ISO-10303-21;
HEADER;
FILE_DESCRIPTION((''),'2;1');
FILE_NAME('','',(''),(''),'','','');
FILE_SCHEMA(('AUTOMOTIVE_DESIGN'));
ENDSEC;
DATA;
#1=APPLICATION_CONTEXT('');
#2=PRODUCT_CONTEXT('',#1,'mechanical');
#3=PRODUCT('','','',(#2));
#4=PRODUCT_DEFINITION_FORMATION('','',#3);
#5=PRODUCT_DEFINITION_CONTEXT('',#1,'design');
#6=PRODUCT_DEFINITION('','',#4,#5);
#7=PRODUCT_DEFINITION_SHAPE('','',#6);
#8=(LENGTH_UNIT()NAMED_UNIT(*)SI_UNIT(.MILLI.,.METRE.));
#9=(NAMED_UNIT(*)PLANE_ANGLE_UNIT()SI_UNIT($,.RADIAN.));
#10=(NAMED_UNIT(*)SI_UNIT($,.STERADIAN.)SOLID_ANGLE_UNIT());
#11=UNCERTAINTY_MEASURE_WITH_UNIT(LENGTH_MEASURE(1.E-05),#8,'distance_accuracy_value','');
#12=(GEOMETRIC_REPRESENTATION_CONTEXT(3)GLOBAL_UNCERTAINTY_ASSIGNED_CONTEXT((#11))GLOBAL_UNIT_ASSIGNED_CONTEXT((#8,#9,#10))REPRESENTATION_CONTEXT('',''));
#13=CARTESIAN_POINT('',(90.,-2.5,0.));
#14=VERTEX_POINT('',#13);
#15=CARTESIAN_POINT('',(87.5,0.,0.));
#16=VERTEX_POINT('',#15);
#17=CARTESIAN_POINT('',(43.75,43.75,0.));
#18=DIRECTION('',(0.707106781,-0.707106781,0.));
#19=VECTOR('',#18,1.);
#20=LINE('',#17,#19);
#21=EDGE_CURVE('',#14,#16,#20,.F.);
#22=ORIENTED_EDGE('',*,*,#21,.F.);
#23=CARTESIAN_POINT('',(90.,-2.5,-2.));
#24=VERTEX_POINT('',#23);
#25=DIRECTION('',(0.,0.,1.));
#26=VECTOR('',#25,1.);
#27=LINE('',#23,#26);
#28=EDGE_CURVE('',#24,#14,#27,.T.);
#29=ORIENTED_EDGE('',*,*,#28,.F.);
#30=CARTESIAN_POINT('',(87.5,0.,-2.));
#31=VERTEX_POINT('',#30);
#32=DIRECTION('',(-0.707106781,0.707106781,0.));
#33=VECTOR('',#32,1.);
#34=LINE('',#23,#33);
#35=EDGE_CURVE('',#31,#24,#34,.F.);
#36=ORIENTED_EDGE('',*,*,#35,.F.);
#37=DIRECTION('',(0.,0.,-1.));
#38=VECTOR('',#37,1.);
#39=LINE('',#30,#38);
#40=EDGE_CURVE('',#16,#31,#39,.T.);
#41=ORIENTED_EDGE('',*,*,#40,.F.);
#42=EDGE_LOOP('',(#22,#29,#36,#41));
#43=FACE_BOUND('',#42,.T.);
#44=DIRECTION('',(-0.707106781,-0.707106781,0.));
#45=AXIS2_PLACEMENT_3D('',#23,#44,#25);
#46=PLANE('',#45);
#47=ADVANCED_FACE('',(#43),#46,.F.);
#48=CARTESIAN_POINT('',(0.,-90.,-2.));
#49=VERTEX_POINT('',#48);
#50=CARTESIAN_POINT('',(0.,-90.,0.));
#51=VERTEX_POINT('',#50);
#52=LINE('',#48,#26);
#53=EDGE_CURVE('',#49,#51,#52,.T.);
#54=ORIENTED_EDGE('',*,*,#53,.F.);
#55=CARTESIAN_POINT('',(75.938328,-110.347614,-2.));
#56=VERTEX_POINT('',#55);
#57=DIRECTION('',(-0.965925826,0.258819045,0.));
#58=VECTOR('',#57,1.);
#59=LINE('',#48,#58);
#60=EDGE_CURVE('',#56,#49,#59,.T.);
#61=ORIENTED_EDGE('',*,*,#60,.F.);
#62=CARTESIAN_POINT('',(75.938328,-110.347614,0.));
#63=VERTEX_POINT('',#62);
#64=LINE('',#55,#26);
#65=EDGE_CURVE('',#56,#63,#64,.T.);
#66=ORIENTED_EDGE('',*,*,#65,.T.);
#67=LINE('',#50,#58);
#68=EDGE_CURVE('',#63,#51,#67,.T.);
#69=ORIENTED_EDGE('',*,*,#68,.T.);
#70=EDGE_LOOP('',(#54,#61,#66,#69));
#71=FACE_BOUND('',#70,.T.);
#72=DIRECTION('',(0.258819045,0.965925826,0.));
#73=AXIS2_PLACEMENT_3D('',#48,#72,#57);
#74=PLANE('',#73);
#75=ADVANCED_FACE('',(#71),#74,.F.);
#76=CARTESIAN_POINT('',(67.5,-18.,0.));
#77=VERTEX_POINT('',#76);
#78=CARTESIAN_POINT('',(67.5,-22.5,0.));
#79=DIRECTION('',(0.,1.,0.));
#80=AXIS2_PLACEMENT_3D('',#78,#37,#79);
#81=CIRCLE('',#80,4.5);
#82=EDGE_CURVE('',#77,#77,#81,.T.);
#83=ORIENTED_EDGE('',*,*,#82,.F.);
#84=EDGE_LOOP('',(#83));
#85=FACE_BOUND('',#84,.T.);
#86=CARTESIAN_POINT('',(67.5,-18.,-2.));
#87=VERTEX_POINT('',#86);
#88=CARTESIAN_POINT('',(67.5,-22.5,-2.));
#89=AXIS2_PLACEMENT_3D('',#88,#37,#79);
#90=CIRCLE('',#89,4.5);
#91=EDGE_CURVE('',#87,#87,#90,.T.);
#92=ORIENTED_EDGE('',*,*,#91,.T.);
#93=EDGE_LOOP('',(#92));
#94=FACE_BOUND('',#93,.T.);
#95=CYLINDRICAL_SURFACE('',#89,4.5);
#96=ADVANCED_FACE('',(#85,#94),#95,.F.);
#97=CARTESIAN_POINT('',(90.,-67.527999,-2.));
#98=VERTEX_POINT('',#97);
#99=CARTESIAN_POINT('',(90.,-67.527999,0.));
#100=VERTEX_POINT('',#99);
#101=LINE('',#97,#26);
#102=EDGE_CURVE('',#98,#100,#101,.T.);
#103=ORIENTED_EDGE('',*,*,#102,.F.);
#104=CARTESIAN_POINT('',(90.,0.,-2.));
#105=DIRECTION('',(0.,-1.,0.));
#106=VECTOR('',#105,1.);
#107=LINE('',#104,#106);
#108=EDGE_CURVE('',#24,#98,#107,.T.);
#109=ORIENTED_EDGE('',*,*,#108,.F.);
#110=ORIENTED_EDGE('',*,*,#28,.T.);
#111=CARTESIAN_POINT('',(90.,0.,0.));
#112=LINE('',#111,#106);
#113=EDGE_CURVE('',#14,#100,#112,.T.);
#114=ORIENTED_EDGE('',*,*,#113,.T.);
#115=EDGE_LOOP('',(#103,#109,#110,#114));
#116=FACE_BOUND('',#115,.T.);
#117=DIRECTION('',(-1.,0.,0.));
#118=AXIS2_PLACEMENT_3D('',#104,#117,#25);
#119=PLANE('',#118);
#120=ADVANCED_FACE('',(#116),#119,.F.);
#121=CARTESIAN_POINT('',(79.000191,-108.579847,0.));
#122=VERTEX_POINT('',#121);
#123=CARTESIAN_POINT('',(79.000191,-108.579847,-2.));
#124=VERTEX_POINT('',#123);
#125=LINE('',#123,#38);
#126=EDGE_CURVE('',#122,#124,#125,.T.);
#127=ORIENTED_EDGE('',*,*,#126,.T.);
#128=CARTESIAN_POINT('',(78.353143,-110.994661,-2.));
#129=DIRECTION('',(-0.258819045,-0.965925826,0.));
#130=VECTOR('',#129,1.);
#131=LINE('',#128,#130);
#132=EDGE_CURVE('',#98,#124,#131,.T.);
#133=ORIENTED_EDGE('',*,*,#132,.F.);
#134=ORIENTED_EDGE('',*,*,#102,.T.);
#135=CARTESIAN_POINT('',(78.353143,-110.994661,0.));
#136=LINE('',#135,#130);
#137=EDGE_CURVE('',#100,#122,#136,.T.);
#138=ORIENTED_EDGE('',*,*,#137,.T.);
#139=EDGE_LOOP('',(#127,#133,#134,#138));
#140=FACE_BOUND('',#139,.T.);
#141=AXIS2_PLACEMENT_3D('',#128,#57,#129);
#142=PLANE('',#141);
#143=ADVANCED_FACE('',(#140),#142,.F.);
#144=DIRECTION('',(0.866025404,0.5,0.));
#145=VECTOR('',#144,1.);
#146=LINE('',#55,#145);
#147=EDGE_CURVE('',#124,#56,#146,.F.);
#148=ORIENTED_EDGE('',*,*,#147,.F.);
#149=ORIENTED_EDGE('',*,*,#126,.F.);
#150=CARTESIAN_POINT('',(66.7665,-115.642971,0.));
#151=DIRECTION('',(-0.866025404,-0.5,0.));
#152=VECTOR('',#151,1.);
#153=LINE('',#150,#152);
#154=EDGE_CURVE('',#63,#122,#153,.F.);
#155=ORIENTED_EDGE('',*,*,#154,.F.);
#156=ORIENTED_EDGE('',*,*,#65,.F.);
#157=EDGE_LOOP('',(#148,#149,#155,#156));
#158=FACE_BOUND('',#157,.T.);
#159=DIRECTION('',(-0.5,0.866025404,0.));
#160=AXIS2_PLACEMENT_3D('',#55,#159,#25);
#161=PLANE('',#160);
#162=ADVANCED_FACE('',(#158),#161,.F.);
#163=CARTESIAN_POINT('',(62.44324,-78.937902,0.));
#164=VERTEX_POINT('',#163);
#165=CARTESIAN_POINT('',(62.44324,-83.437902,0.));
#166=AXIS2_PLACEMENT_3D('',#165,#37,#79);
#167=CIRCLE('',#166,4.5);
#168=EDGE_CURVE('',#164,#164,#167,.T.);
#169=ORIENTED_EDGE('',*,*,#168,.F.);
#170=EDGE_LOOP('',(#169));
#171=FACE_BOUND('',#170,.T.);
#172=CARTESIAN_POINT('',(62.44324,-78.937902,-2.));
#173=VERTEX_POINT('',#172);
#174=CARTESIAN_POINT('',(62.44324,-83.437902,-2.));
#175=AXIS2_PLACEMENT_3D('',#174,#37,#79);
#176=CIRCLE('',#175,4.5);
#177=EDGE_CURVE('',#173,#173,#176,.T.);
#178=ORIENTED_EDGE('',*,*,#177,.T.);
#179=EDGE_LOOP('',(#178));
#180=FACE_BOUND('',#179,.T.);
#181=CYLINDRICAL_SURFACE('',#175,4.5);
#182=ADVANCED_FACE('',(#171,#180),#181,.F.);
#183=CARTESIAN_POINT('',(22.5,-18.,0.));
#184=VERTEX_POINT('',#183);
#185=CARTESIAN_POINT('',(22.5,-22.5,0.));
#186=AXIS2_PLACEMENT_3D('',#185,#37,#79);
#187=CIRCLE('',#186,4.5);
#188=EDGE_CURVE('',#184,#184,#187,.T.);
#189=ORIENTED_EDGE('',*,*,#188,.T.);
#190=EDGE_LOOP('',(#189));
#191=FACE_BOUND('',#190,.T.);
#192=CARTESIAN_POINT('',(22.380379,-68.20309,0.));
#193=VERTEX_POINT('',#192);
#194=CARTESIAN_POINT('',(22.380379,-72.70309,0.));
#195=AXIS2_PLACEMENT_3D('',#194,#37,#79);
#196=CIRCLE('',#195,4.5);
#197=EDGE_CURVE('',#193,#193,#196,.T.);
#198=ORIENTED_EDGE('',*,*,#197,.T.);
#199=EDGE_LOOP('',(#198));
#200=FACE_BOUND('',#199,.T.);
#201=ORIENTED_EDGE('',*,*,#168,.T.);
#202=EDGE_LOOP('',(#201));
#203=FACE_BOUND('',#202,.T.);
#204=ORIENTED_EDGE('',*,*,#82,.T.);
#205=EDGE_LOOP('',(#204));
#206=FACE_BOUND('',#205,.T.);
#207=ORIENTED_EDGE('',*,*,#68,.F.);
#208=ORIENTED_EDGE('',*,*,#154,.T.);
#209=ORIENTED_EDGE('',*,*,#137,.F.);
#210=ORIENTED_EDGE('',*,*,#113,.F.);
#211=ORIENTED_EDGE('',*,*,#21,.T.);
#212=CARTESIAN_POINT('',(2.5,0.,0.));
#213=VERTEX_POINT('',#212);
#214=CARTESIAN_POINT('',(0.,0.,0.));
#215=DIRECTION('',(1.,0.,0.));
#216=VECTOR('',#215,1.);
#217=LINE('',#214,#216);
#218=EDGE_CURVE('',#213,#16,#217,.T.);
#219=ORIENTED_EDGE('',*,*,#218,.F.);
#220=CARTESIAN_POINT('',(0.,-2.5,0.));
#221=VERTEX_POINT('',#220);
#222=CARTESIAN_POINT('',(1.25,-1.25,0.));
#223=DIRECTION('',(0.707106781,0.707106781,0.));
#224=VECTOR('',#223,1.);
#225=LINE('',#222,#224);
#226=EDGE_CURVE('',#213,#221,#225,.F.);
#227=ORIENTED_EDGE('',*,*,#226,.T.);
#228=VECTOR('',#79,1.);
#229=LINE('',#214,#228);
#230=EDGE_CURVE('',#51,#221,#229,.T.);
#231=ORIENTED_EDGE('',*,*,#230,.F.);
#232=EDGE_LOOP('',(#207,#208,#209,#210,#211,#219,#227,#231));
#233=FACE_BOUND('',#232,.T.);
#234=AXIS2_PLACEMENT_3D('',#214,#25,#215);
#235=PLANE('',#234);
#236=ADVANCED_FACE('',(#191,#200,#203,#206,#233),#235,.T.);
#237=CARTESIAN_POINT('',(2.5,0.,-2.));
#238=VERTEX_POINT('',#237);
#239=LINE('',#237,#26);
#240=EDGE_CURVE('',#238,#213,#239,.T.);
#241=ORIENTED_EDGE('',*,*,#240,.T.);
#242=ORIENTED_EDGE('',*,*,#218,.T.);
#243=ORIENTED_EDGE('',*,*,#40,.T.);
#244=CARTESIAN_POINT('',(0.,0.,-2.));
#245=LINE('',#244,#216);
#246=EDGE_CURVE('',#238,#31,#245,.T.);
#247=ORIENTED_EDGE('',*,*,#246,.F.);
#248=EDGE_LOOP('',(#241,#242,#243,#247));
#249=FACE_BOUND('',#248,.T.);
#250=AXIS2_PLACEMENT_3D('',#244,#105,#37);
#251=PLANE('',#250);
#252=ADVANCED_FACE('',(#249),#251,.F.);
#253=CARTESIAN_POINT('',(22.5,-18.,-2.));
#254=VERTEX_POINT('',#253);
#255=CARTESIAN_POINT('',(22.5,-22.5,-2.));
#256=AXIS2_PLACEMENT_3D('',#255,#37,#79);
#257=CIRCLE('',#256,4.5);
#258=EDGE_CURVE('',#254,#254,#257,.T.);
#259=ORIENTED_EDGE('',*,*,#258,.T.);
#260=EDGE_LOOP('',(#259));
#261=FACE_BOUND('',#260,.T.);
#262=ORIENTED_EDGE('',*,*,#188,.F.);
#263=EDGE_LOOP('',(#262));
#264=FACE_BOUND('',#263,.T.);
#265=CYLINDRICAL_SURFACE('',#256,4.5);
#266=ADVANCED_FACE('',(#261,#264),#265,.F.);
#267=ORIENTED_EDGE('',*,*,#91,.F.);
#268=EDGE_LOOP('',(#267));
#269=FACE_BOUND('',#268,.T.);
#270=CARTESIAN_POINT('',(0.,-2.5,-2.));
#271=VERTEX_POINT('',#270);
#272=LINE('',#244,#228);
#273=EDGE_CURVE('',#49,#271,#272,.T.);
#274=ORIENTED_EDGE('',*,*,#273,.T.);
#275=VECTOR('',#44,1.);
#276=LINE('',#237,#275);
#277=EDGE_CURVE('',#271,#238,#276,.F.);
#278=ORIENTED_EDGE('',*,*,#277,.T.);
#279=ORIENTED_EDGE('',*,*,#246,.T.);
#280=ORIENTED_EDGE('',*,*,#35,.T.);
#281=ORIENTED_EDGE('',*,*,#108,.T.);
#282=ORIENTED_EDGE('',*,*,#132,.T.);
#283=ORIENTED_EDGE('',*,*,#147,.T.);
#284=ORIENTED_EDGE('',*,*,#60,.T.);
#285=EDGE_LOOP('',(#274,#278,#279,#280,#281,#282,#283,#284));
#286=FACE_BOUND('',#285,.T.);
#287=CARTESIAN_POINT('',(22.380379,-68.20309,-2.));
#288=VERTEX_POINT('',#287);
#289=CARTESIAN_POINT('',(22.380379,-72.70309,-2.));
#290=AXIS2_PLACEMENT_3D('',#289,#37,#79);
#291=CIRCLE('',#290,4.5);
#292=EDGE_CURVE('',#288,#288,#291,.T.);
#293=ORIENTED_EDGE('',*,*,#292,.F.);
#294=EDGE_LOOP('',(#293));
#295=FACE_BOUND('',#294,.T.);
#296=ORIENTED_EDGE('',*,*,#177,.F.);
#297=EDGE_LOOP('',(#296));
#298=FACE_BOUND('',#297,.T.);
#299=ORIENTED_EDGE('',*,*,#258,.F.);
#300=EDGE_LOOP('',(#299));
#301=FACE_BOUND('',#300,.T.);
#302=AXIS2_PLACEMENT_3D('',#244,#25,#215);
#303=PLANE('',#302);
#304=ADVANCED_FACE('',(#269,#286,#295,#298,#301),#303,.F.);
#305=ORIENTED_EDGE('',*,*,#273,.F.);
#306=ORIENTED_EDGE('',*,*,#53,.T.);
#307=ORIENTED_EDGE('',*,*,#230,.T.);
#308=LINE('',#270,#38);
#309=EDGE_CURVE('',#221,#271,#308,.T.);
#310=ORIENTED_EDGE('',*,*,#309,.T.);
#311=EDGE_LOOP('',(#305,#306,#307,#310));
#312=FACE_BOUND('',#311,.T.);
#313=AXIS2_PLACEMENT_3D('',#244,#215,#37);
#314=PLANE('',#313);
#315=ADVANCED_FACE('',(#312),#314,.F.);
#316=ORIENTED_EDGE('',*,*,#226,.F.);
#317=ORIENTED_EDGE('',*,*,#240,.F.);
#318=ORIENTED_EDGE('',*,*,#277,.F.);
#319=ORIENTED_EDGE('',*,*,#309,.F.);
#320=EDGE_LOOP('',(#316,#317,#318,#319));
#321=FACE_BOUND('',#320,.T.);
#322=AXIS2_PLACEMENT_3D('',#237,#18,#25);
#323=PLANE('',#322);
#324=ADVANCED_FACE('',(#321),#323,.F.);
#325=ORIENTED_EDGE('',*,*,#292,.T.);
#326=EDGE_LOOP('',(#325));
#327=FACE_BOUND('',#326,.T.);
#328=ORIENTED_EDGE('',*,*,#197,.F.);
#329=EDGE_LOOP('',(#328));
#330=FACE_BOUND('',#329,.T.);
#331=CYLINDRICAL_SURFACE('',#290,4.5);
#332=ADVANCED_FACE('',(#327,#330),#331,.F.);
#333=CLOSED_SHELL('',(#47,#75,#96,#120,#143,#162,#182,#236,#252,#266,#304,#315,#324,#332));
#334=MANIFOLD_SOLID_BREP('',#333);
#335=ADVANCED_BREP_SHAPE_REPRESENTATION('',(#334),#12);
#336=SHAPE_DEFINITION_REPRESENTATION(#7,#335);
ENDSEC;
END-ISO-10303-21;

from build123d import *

# Parameters (mm, degrees)
EXTRUDE_1_DEPTH   = 2
HOLE_WIZARD_M81_D = 9
CHAMFER_1_SIZE    = 2.5


with BuildPart() as part:
    # Эскиз3 → Бобышка-Вытянуть1 (new body)
    with BuildSketch(Plane(origin=(0, 0, 0), x_dir=(1, 0, 0), z_dir=(0, 0, -1))):
        Polygon((0, 0), (90, 0), (90, 67.5279992), (78.35314297, 110.994661383), (0, 90), align=None)
    extrude(amount=EXTRUDE_1_DEPTH)

    # Отверстие с зазором M81 (through all)
    with Locations(Plane(origin=(0, 0, -2), x_dir=(1, 0, 0), z_dir=(0, 0, -1))):
        with Locations((67.5, 22.5), (22.380378704, 72.703090341), (62.443240394, 83.437901777), (22.5, 22.5)):
            Hole(HOLE_WIZARD_M81_D / 2)

    # Фаска1
    chamfer_1_edges = [part.edges().sort_by_distance(p)[0] for p in [
        (78.35314297, -110.994661383, -1),
        (90, 0, -1),
        (0, 0, -1),
    ]]
    chamfer(chamfer_1_edges, length=CHAMFER_1_SIZE)


solid = part.part
